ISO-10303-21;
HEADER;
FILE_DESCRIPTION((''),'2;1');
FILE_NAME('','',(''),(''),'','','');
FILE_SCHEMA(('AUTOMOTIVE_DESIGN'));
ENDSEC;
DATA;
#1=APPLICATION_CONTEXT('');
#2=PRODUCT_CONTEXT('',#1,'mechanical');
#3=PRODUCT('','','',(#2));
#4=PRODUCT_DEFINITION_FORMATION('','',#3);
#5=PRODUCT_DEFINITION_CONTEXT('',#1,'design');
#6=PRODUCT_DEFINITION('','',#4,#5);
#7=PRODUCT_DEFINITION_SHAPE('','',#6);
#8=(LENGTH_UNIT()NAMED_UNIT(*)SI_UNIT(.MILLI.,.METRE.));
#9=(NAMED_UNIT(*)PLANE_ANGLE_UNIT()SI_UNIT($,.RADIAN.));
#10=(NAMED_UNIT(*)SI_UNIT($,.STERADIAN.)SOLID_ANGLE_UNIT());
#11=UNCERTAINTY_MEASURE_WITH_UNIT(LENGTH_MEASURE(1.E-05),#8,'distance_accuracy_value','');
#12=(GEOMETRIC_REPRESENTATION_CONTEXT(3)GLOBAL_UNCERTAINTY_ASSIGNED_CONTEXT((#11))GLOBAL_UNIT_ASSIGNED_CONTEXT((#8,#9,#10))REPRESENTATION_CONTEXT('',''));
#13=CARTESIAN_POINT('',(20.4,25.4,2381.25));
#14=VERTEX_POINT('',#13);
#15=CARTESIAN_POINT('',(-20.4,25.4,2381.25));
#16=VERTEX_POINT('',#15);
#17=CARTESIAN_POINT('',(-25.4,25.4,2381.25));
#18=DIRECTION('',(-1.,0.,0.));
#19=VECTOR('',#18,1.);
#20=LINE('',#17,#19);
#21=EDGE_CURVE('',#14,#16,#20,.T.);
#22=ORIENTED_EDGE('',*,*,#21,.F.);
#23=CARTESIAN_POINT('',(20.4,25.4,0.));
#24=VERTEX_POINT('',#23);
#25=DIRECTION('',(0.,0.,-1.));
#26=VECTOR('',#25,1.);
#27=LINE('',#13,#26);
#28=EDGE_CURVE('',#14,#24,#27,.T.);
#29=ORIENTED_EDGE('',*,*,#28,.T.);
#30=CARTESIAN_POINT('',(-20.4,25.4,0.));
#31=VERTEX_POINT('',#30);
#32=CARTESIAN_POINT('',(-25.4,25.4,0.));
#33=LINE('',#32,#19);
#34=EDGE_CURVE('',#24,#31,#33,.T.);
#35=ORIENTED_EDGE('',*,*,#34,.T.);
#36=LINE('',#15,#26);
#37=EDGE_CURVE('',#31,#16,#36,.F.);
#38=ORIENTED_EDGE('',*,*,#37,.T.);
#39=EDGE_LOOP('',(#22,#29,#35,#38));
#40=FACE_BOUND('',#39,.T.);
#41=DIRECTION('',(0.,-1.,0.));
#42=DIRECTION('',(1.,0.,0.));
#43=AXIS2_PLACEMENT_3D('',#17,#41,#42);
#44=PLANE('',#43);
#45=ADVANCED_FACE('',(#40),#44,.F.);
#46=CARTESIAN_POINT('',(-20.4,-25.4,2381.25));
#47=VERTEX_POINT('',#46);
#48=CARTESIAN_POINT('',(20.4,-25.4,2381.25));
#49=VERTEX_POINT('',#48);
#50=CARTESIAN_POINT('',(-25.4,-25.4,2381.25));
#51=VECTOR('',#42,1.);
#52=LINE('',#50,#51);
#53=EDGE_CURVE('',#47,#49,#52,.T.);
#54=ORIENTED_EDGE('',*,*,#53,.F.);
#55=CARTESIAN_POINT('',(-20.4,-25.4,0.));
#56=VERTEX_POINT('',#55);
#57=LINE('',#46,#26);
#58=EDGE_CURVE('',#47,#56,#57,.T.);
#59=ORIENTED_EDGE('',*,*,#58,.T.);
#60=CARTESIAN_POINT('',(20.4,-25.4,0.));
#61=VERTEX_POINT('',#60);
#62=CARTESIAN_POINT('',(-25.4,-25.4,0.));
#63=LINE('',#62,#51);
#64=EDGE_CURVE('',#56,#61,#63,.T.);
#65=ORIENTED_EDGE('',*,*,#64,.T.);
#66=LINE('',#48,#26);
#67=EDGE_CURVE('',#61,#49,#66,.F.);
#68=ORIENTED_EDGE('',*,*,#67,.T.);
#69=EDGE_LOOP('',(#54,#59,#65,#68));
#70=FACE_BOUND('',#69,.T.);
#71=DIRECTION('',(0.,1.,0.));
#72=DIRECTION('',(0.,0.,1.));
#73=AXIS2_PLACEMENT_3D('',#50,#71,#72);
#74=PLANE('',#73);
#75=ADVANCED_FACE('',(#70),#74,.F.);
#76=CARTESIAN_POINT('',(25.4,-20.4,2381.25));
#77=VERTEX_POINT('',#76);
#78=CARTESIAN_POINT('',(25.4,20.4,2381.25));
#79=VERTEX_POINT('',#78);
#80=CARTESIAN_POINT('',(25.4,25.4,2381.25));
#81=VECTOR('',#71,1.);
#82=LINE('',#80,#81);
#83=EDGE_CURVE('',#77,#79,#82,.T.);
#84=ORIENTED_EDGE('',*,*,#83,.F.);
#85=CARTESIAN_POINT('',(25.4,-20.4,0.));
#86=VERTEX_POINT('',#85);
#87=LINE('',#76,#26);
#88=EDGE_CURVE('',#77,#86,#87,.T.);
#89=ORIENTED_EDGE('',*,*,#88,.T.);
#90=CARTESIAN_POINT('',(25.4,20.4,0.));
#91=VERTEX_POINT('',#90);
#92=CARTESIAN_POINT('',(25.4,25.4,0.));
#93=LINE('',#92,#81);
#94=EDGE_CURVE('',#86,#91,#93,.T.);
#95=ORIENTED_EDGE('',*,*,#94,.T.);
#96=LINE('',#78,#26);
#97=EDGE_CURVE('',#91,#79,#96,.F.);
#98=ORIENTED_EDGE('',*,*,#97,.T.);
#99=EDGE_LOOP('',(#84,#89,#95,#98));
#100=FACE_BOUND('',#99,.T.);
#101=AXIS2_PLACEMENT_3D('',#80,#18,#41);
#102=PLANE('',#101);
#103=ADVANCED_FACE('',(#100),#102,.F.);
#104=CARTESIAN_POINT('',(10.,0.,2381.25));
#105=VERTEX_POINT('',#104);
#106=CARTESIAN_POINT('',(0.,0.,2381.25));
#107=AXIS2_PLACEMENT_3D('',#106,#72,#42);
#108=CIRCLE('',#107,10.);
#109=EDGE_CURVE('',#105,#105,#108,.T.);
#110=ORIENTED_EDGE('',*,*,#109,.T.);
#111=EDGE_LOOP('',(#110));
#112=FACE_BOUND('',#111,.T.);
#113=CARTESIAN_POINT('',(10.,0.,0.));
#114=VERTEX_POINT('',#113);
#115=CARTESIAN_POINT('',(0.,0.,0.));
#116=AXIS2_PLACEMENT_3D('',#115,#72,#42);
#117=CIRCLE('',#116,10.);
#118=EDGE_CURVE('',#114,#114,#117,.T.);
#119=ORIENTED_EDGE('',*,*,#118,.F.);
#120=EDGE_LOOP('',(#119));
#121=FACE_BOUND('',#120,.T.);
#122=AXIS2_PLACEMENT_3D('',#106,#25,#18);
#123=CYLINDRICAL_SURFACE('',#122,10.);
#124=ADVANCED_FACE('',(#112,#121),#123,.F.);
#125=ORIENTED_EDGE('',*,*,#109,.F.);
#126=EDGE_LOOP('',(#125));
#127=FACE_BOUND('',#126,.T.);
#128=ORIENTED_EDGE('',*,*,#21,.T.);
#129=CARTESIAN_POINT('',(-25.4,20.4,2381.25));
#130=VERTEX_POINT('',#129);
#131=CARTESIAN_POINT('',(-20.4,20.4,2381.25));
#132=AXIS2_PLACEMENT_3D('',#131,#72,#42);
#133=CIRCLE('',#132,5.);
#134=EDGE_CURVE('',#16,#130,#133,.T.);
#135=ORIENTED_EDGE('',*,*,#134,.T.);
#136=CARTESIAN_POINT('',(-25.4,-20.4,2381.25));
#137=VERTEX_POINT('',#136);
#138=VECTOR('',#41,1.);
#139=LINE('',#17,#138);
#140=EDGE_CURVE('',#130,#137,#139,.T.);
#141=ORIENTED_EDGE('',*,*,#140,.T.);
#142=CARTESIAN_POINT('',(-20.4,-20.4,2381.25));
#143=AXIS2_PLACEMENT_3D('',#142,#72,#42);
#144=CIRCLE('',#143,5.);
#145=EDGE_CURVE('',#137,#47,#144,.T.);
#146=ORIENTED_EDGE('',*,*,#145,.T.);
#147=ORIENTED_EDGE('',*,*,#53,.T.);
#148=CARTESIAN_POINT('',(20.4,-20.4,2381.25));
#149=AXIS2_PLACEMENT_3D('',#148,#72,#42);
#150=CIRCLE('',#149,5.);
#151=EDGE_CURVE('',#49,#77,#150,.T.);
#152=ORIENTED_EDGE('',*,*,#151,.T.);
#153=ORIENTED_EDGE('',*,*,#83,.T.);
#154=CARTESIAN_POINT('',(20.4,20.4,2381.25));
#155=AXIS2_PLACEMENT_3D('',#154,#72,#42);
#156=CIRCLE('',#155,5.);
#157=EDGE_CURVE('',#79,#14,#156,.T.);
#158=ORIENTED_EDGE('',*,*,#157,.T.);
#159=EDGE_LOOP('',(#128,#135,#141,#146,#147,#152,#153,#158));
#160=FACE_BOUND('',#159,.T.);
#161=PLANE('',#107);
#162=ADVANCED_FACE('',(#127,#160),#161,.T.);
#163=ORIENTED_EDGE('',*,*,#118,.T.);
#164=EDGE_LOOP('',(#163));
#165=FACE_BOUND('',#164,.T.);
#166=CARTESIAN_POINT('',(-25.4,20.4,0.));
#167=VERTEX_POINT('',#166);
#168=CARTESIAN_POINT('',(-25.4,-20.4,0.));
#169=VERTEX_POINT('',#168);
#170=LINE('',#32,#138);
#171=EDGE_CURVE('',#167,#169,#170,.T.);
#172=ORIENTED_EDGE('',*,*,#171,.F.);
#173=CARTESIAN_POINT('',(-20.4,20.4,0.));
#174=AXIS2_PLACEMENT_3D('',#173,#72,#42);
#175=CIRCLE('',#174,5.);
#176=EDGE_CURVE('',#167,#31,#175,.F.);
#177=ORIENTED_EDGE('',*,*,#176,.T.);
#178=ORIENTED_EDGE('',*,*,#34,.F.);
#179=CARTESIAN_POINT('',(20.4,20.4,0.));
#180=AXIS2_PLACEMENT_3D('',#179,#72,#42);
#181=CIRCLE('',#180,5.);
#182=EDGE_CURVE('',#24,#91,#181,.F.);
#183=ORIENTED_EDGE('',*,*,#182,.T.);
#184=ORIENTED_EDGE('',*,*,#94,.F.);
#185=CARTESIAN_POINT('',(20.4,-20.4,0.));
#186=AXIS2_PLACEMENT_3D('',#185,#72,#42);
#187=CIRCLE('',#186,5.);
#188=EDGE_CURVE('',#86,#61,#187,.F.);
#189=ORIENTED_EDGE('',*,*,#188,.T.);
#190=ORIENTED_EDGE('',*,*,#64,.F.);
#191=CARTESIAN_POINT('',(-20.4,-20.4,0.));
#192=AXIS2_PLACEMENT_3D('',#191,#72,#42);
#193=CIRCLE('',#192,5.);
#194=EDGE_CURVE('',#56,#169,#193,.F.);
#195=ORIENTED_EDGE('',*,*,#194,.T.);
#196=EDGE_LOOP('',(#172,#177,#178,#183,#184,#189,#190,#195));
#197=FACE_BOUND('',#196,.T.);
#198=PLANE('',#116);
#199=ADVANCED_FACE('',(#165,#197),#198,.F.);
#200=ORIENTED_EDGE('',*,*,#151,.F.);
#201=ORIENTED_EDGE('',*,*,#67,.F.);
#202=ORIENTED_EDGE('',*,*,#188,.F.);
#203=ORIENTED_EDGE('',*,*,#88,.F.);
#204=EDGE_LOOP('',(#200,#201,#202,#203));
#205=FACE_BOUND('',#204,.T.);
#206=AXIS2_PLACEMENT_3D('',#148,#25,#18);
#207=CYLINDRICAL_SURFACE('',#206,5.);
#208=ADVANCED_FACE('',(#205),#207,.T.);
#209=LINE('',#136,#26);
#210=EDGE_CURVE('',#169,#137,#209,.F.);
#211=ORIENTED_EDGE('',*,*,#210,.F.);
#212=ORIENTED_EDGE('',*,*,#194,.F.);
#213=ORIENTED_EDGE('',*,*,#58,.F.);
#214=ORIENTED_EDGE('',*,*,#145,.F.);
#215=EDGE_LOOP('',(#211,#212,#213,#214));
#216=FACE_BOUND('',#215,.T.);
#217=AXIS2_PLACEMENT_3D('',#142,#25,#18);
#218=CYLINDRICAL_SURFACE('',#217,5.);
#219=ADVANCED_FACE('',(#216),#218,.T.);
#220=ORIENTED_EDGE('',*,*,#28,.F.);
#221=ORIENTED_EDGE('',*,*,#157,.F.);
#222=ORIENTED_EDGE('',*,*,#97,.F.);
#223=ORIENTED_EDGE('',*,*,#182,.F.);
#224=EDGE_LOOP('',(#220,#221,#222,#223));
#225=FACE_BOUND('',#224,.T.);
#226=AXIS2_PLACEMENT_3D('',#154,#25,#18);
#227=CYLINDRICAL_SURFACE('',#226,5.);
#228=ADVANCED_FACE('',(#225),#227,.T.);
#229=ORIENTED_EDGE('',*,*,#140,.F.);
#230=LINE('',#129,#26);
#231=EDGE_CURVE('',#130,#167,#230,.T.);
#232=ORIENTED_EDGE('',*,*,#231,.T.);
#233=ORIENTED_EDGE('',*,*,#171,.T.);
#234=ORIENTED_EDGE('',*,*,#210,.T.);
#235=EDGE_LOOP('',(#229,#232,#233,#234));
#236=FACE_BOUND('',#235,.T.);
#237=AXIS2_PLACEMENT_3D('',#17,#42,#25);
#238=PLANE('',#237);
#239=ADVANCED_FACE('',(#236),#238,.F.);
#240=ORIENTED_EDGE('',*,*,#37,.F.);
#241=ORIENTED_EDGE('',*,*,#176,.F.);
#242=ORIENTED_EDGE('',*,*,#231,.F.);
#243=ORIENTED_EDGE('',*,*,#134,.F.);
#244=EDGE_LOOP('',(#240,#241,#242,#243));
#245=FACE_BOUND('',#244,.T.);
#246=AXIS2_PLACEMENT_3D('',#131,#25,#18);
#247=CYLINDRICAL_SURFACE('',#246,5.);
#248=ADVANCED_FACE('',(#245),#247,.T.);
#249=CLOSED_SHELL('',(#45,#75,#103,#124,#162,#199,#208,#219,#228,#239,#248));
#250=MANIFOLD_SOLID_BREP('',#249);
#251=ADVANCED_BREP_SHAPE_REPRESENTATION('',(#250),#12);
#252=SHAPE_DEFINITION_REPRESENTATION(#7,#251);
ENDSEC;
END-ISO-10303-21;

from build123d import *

# Parameters (mm, degrees)
SKETCH1_W           = 50.8
SKETCH1_H           = 50.8
SKETCH1_R           = 10
BOSS_EXTRUDE1_DEPTH = 2381.25
FILLET1_R           = 5


with BuildPart() as part:
    # Sketch1 → Boss-Extrude1 (new body)
    with BuildSketch(Plane.XY):
        Rectangle(SKETCH1_W, SKETCH1_H)
        Circle(SKETCH1_R, mode=Mode.SUBTRACT)
    extrude(amount=BOSS_EXTRUDE1_DEPTH)

    # Fillet1
    fillet1_edges = [part.edges().sort_by_distance(p)[0] for p in [
        (25.4, -25.4, 1190.625),
        (-25.4, -25.4, 1190.625),
        (-25.4, 25.4, 1190.625),
        (25.4, 25.4, 1190.625),
    ]]
    fillet(fillet1_edges, radius=FILLET1_R)


solid = part.part
